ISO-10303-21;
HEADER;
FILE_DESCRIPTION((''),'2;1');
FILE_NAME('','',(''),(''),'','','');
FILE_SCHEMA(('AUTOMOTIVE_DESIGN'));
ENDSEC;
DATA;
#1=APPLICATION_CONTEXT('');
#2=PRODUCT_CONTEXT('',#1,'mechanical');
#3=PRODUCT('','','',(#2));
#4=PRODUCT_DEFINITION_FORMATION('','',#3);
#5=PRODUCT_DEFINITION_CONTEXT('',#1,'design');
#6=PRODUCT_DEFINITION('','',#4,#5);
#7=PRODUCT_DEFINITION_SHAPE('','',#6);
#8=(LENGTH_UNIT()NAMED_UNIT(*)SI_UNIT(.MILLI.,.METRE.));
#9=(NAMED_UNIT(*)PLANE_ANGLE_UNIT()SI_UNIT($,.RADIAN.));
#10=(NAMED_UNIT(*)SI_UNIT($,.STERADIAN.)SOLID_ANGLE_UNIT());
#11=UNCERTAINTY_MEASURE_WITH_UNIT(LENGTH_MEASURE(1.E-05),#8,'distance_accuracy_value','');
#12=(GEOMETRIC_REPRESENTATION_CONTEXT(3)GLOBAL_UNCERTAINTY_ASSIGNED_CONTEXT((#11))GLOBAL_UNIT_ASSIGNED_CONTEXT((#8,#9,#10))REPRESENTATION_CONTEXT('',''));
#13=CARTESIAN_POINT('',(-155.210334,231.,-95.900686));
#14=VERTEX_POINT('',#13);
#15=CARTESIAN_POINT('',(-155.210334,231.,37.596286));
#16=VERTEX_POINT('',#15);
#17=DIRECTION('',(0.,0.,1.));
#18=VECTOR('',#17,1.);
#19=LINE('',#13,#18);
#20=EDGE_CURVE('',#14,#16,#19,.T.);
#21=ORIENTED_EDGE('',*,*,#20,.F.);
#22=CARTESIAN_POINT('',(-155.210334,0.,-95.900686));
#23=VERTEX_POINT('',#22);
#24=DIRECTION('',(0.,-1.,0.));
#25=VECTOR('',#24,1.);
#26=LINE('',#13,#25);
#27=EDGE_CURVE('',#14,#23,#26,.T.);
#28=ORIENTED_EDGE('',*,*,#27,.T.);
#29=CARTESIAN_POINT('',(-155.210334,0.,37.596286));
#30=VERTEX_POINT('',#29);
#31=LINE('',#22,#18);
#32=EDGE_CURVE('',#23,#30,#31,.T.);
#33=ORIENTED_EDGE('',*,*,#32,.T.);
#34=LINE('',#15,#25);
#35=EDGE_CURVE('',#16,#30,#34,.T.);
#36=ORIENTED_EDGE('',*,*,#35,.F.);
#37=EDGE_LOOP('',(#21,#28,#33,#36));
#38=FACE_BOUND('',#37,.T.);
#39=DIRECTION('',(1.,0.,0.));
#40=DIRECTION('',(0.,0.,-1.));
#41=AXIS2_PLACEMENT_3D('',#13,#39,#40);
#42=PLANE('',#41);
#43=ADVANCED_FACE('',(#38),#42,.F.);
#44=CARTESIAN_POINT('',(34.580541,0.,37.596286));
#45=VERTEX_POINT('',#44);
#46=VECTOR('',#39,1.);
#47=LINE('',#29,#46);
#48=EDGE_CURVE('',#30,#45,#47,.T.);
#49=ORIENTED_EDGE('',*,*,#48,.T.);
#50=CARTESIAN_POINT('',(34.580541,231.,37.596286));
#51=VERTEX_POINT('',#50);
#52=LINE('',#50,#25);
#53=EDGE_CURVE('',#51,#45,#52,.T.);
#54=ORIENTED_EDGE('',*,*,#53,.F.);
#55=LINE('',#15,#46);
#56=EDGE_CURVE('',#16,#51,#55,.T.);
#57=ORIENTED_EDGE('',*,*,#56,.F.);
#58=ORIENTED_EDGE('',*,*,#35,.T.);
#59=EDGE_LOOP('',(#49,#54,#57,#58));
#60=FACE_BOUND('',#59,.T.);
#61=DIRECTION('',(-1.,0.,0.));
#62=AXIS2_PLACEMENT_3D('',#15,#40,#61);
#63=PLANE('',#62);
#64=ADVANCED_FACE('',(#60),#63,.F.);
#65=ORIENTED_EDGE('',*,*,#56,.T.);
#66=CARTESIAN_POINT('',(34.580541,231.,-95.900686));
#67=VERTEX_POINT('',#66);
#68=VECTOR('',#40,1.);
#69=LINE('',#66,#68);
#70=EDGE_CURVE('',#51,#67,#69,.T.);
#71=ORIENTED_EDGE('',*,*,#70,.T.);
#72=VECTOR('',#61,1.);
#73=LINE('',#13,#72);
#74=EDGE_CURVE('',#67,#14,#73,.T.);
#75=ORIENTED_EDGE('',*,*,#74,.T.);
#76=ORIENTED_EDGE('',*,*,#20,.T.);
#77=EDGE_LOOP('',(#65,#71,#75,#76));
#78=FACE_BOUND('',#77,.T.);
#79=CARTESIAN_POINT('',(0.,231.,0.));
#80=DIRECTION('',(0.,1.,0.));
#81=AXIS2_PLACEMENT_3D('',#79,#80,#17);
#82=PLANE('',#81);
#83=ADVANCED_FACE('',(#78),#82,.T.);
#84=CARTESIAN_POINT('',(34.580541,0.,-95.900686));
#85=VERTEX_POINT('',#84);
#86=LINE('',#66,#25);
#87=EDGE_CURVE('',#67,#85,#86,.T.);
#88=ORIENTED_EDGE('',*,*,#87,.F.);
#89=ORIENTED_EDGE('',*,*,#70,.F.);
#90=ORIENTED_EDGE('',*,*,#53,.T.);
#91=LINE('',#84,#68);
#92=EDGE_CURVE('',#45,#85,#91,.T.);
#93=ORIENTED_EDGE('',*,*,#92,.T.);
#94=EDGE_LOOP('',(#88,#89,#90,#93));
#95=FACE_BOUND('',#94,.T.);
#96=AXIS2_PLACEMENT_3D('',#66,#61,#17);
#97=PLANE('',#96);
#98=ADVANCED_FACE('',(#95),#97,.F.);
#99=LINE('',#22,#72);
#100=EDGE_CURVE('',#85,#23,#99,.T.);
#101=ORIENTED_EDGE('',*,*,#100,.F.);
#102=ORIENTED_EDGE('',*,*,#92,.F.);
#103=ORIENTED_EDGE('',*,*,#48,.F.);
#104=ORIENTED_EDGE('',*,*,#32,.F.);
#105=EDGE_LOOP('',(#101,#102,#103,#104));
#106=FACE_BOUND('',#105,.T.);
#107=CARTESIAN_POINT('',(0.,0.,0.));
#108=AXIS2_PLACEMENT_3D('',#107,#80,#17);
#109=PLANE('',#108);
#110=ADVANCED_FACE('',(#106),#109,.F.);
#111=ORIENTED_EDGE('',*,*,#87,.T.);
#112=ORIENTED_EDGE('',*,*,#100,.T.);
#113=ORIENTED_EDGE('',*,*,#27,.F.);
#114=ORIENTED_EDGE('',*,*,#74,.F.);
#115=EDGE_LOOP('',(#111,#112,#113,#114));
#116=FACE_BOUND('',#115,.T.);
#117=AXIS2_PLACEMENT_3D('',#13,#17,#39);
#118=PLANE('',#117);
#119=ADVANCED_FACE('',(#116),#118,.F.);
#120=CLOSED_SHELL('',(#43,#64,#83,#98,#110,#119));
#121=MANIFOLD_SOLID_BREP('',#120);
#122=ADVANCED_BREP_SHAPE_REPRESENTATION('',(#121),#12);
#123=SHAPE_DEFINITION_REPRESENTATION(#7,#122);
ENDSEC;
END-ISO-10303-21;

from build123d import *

# Parameters (mm, degrees)
CROQUIS1_W              = 189.790874951
CROQUIS1_H              = 133.496971364
SALIENTE_EXTRUIR1_DEPTH = 231


with BuildPart() as part:
    # Croquis1 → Saliente-Extruir1 (new body)
    with BuildSketch(Plane(origin=(0, 0, 0), x_dir=(1, 0, 0), z_dir=(0, 1, 0))):
        with Locations((-60.314896701, 29.152200072)):
            Rectangle(CROQUIS1_W, CROQUIS1_H)
    extrude(amount=SALIENTE_EXTRUIR1_DEPTH)


solid = part.part
